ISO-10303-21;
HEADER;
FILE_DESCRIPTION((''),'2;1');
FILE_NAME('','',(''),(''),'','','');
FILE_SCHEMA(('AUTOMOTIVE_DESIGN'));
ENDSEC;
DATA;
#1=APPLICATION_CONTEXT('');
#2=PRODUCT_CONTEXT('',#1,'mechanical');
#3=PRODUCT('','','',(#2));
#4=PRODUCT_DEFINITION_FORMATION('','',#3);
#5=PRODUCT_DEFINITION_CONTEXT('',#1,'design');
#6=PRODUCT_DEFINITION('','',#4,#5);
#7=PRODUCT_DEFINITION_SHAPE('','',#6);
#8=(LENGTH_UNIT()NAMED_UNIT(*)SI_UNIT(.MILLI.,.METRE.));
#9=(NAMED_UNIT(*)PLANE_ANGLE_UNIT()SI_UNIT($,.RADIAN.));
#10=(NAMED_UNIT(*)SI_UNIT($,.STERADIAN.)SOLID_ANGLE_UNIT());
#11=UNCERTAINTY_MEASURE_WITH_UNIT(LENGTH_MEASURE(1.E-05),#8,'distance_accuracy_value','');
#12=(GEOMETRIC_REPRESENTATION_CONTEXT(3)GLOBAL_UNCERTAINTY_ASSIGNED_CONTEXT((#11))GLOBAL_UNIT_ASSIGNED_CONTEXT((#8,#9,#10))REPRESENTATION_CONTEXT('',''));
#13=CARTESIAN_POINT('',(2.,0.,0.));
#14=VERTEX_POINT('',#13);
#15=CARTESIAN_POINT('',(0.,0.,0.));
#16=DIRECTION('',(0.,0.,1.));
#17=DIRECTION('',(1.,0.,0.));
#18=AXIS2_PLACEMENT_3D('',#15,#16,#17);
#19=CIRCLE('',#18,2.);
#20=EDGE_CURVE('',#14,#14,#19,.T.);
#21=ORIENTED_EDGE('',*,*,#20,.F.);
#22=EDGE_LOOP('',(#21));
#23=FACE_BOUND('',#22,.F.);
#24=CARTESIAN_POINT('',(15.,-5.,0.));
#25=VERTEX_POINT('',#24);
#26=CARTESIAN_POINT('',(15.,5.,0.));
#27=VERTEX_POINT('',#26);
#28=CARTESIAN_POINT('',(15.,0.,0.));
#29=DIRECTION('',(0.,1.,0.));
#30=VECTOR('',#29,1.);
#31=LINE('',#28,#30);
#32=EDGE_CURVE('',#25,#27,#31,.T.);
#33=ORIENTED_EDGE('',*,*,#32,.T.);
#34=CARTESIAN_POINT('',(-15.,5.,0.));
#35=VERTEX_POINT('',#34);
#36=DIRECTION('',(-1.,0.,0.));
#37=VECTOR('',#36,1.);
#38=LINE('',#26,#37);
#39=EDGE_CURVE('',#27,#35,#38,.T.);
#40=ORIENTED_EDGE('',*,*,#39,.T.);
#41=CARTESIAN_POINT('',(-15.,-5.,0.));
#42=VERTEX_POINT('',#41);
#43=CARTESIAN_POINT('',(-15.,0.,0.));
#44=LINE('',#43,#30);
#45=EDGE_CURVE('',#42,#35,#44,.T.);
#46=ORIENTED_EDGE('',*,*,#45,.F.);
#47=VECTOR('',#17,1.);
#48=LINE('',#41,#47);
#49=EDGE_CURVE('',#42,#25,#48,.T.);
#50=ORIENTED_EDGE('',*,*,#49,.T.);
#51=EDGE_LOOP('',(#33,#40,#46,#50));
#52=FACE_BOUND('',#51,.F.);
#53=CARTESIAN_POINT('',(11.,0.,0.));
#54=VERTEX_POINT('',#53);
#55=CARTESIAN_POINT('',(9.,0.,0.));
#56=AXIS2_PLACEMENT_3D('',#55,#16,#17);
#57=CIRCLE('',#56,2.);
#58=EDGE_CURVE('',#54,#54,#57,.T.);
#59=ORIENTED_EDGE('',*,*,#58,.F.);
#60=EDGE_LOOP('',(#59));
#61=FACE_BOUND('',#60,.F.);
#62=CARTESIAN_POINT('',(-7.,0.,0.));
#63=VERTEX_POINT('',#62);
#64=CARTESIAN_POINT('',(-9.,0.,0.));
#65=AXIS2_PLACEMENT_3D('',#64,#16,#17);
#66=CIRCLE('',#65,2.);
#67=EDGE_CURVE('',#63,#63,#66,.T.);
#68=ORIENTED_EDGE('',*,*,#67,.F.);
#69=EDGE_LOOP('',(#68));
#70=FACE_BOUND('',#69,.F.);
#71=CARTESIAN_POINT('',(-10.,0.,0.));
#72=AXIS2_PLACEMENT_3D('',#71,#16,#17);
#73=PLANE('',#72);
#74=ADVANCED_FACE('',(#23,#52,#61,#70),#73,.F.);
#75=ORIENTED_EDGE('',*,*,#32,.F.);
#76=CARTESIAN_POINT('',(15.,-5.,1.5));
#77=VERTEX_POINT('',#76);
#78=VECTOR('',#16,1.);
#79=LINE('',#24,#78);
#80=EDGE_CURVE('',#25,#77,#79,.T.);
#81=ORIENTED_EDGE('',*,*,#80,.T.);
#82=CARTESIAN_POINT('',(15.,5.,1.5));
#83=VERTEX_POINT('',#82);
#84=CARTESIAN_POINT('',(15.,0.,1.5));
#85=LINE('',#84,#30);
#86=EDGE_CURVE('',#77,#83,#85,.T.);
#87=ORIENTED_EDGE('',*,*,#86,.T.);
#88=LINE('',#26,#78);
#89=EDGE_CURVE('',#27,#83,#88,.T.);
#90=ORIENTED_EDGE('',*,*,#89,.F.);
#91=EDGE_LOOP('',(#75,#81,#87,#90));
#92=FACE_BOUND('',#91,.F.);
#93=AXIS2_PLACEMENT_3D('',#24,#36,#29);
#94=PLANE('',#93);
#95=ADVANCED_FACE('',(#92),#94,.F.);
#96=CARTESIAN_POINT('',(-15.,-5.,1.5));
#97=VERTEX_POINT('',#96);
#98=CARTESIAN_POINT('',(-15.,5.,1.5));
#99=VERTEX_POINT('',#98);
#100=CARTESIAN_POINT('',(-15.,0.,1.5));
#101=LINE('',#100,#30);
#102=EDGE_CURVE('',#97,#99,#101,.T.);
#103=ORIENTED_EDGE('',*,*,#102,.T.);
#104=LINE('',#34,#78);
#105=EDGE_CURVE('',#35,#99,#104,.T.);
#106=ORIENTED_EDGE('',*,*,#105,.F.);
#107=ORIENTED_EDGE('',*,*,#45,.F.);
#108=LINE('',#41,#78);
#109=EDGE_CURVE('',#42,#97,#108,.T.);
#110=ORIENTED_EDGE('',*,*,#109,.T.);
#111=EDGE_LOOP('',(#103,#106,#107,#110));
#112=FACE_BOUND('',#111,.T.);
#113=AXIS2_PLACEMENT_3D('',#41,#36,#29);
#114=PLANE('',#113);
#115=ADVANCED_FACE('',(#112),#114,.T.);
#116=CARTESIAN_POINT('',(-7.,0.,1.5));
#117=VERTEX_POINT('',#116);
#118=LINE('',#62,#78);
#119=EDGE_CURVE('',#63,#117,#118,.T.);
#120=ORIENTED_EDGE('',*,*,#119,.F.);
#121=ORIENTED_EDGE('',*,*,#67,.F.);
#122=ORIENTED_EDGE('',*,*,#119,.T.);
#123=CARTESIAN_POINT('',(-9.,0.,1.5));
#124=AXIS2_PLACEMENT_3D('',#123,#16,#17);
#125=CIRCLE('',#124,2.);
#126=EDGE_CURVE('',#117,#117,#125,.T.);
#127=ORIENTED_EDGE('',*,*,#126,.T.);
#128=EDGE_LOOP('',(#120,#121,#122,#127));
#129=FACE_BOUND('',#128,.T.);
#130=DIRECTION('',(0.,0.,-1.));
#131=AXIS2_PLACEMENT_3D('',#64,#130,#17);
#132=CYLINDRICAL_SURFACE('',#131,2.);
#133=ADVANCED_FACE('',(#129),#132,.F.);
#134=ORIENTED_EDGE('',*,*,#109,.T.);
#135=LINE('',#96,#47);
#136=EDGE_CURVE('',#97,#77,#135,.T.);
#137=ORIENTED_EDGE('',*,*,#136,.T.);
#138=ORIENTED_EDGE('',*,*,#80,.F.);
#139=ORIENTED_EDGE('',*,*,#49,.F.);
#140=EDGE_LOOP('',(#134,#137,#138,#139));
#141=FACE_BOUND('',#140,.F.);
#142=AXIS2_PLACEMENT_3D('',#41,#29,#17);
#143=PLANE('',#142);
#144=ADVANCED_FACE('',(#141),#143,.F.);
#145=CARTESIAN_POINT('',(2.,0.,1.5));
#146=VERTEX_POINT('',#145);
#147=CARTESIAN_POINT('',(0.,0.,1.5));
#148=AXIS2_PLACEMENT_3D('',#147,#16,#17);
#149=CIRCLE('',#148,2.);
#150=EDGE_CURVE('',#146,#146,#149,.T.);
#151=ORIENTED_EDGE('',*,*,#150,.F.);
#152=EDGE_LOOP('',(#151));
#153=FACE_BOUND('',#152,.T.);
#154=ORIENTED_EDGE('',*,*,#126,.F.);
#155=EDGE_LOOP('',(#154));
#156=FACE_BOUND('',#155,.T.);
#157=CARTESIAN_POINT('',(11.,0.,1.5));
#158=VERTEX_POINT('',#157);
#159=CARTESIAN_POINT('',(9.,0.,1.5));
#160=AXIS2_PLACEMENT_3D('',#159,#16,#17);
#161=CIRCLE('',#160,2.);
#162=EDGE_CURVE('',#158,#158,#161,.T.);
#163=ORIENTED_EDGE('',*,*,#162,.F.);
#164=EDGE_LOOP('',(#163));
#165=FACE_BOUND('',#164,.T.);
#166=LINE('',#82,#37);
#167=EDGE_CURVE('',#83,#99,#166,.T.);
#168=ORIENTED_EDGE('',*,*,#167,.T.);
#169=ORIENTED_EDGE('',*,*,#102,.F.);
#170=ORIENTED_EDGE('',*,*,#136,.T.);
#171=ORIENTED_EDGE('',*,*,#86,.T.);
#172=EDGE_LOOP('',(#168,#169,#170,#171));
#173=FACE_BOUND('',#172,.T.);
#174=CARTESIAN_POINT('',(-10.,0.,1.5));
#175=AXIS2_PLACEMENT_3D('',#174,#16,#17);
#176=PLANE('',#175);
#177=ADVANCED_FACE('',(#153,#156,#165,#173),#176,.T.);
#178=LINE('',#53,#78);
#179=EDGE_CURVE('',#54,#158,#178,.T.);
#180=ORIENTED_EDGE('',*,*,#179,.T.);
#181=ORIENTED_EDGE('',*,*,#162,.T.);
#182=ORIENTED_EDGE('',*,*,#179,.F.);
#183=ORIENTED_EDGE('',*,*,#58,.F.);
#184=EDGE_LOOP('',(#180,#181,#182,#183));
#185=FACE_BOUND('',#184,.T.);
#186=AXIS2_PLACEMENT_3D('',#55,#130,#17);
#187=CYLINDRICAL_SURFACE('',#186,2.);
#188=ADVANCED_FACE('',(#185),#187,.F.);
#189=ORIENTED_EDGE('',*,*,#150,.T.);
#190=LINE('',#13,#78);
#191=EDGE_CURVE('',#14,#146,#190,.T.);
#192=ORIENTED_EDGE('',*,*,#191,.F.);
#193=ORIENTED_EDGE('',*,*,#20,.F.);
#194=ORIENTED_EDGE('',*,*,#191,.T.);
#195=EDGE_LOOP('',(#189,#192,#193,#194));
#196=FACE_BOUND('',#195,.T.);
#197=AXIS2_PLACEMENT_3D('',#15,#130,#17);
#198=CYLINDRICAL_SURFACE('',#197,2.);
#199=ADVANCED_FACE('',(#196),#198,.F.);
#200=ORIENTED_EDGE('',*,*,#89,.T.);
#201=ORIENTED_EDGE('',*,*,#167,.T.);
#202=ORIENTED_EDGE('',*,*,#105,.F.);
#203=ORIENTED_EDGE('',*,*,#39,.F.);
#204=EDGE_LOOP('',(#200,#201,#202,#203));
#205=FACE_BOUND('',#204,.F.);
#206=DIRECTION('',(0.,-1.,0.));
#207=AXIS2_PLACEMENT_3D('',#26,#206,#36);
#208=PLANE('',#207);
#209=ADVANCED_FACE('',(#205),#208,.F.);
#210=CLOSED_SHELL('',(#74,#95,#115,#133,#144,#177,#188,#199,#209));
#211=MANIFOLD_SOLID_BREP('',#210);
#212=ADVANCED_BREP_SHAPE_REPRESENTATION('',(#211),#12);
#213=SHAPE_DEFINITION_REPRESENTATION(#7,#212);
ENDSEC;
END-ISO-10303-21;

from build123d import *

# Parameters (mm, degrees)
F0_W     = 10
F0_H     = 10
F0_R     = 2
F1_DEPTH = 1.5


with BuildPart() as f1:
    # F0 (on Top) → F1 (new body)
    with BuildSketch(Plane.XY):
        with Locations((-10, 0)):
            Rectangle(F0_W, F0_H)
        with Locations((-9, 0)):
            Circle(F0_R, mode=Mode.SUBTRACT)
        with Locations((10, 0)):
            Rectangle(F0_W, F0_H)
        with Locations((9, 0)):
            Circle(F0_R, mode=Mode.SUBTRACT)
        Rectangle(F0_W, F0_H)
        Circle(F0_R, mode=Mode.SUBTRACT)
    extrude(amount=F1_DEPTH)


solid = f1.part
